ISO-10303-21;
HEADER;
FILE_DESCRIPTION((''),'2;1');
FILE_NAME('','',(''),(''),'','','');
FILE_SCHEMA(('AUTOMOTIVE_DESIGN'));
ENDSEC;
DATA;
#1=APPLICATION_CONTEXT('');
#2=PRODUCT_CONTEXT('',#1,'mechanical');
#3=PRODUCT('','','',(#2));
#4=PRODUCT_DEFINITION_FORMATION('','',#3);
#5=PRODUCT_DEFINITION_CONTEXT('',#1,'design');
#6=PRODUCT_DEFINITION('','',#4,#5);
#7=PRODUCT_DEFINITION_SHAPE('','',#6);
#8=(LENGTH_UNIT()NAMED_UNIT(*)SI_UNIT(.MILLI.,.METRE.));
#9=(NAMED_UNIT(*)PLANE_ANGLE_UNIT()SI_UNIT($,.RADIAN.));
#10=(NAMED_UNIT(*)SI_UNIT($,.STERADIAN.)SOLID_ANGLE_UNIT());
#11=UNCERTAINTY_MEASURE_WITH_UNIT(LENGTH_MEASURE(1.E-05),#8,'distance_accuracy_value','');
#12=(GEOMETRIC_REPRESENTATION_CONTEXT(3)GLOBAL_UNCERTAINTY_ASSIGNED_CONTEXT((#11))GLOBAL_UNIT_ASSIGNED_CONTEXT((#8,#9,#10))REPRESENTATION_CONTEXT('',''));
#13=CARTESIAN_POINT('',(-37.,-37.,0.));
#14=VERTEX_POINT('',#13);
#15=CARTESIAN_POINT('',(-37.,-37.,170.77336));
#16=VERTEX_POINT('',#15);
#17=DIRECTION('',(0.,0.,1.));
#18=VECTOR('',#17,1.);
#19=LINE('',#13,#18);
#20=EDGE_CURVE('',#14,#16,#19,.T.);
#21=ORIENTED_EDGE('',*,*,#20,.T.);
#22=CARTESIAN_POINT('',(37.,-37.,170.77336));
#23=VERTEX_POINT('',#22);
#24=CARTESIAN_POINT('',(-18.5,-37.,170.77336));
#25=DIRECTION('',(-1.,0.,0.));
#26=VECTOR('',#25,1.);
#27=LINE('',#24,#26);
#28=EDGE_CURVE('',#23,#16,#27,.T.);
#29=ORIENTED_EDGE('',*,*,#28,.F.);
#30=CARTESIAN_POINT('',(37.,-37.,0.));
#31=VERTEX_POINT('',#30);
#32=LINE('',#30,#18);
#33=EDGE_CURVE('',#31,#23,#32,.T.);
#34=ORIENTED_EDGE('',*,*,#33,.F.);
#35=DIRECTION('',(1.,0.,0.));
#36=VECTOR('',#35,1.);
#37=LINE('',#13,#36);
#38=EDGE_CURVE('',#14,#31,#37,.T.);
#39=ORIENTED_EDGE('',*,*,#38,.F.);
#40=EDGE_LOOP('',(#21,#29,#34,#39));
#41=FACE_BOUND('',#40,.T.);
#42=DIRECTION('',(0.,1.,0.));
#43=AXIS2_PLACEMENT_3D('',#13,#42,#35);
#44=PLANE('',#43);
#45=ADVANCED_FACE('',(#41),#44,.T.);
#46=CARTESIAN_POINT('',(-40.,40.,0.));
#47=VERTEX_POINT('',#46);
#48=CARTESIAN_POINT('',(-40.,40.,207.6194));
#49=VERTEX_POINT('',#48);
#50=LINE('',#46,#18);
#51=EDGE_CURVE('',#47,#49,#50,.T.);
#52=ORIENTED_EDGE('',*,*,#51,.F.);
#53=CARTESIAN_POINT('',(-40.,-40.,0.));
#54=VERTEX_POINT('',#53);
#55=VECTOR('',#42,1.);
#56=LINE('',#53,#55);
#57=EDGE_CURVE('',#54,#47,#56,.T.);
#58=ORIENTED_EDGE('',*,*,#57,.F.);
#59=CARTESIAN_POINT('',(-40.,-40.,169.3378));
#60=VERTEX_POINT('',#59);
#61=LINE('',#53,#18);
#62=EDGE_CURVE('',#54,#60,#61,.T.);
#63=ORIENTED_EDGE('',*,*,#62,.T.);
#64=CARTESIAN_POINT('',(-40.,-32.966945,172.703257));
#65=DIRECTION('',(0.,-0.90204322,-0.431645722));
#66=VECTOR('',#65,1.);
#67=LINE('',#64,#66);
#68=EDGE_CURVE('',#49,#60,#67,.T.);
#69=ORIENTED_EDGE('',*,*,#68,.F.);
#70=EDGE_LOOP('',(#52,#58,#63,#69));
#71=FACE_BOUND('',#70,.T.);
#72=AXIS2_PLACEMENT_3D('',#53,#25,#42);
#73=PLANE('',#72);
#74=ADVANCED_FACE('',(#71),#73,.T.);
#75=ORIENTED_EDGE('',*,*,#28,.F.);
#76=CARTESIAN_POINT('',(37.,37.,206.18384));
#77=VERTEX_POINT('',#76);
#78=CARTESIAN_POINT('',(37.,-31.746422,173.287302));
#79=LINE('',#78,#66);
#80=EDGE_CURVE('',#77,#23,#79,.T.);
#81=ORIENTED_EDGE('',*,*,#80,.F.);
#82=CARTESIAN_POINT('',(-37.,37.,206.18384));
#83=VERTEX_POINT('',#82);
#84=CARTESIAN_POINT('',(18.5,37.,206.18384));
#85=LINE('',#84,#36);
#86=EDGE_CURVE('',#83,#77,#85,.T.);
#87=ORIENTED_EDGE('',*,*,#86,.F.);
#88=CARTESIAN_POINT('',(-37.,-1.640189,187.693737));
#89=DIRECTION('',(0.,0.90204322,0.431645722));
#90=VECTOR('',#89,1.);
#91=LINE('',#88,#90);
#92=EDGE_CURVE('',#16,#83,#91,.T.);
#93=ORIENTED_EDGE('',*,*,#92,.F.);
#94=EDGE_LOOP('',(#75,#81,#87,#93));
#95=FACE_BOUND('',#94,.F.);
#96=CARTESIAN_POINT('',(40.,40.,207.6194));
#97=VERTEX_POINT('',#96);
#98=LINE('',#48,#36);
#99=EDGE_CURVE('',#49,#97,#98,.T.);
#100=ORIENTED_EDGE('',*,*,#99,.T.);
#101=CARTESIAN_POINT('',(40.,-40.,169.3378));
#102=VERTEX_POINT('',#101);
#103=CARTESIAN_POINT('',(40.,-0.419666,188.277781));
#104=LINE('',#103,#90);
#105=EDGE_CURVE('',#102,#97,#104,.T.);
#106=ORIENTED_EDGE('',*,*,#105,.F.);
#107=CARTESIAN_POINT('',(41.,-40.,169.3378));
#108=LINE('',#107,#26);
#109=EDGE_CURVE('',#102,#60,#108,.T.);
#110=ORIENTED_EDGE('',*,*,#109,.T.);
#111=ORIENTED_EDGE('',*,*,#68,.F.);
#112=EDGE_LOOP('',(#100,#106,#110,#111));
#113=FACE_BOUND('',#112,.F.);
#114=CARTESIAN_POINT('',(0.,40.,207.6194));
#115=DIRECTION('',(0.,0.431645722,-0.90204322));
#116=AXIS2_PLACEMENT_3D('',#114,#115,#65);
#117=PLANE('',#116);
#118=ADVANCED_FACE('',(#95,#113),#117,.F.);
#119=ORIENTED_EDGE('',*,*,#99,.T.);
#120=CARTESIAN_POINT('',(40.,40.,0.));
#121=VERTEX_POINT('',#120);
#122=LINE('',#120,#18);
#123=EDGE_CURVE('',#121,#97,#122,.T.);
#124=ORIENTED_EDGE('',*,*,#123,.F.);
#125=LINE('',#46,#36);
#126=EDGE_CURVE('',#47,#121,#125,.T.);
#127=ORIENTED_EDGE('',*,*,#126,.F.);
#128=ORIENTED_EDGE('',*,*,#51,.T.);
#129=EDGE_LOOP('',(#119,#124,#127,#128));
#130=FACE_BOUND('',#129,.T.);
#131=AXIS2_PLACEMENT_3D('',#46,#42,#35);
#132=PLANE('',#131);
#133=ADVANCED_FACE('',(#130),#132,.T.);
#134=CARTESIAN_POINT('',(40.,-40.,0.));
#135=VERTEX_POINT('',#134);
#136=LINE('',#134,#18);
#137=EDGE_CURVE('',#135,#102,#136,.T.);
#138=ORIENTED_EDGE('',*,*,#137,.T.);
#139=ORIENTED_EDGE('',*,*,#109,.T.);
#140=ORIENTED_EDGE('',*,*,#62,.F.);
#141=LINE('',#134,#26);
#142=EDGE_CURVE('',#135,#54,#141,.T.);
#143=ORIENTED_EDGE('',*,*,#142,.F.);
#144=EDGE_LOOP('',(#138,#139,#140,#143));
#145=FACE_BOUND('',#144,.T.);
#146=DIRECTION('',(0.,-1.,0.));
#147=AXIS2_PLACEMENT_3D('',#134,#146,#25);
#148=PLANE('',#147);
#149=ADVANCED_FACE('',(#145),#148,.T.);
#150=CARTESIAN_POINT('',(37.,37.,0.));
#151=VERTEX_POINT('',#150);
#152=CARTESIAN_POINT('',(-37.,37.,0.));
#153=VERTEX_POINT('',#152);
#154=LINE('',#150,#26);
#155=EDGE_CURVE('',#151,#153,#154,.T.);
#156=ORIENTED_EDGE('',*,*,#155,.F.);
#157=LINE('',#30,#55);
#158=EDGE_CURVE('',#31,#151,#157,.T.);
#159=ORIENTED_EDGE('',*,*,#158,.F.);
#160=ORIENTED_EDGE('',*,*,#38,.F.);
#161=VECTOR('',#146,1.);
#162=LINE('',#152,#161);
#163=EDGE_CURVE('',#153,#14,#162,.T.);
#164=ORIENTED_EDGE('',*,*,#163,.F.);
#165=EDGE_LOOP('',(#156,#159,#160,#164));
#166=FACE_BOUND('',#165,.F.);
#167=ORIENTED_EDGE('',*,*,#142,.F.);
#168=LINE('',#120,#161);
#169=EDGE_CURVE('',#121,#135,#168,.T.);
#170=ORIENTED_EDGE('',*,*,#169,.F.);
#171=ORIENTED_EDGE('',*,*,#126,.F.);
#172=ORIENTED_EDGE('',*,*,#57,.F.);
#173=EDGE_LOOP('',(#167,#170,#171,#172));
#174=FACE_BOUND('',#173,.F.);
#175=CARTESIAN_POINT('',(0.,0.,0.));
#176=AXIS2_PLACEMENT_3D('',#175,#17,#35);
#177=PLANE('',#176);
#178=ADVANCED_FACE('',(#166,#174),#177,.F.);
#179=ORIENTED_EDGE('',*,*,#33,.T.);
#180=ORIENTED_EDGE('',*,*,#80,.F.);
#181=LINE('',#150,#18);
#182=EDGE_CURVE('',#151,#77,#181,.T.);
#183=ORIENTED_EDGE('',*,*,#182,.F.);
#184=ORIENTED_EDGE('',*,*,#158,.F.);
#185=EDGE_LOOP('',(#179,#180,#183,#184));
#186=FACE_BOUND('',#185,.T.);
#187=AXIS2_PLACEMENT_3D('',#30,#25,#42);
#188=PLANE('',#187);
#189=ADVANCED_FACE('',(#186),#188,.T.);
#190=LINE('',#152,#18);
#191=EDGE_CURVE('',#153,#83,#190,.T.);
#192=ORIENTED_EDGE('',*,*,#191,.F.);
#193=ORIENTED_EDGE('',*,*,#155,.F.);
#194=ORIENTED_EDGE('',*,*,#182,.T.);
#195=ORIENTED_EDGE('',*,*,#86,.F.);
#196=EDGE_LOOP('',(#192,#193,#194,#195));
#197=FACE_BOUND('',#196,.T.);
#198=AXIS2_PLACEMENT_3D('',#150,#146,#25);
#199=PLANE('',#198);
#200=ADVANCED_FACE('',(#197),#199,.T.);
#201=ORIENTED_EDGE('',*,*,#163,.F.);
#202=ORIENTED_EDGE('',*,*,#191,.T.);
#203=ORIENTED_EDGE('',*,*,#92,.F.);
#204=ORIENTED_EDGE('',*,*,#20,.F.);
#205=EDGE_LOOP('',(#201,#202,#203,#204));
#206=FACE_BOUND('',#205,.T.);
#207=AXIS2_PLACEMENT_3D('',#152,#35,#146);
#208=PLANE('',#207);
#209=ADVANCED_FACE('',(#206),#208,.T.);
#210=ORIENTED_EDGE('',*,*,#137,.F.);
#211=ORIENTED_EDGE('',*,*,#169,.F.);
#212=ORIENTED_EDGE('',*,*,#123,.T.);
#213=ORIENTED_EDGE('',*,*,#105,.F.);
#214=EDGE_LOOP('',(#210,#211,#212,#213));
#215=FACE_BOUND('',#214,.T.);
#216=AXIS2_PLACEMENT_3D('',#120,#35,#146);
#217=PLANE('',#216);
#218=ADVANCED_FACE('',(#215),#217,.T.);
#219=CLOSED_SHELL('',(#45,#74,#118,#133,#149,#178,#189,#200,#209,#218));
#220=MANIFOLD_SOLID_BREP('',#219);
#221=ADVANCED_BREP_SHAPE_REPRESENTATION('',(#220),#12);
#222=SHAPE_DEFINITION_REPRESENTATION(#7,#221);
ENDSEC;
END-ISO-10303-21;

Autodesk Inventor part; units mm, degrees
ref_plane "YZ Plane" through (0, 0, 0) normal (1, 0, 0) x (0, 1, 0)
ref_plane "XZ Plane" through (0, 0, 0) normal (0, 1, 0) x (-1, 0, 0)
ref_plane "XY Plane" through (0, 0, 0) normal (0, 0, 1) x (1, 0, 0)
sketch "Sketch1" plane through (0, 0, 0) normal (0, 0, 1) x (1, 0, 0)
  line L0 (40, -40) -> (-40, -40)
  line L1 (-40, -40) -> (-40, 40)
  line L2 (-40, 40) -> (40, 40)
  line L3 (40, 40) -> (40, -40)
  line L4 (40, -40) -> (-40, 40) construction
  line L5 (-40, -40) -> (40, 40) construction
  line L6 (-37, -37) -> (37, -37)
  line L7 (37, -37) -> (37, 37)
  line L8 (37, 37) -> (-37, 37)
  line L9 (-37, 37) -> (-37, -37)
  point P0 (0, 0)
  dimension "d0" = 80
  dimension "d1" = 80
  dimension "d2" = 3
extrude "Extrusion1" add sketch "Sketch1" along normal blind 207.6194
sketch "Sketch2" plane through (0, 0, 0) normal (1, 0, 0) x (0, 1, 0)
  line L0 (40, 0) -> (-40, 0) projected
  line L1 (-40, 0) -> (-40, 207.6194) projected
  line L2 (40, 207.6194) -> (-40, 207.6194) projected
  line L3 (40, 0) -> (40, 207.6194) projected
  line L4 (40, 207.6194) -> (-40, 169.3378)
  point P0 (0, 0)
  dimension "d5" = 25.572
extrude "Extrusion2" cut sketch "Sketch2" along normal through all both and the other way through all contours L4 L1 L2
equation "\"d3\" = Lenth"
equation "\"d5\" = Leg_cut_angle"
equation "\"Lenth\" = Leg_hight"
equation "\"Leg_cut_angle\" = 25.57201deg"
equation "\"Leg_hight\" = 207.619385"
properties part number "TZS 0984 leg tube"
